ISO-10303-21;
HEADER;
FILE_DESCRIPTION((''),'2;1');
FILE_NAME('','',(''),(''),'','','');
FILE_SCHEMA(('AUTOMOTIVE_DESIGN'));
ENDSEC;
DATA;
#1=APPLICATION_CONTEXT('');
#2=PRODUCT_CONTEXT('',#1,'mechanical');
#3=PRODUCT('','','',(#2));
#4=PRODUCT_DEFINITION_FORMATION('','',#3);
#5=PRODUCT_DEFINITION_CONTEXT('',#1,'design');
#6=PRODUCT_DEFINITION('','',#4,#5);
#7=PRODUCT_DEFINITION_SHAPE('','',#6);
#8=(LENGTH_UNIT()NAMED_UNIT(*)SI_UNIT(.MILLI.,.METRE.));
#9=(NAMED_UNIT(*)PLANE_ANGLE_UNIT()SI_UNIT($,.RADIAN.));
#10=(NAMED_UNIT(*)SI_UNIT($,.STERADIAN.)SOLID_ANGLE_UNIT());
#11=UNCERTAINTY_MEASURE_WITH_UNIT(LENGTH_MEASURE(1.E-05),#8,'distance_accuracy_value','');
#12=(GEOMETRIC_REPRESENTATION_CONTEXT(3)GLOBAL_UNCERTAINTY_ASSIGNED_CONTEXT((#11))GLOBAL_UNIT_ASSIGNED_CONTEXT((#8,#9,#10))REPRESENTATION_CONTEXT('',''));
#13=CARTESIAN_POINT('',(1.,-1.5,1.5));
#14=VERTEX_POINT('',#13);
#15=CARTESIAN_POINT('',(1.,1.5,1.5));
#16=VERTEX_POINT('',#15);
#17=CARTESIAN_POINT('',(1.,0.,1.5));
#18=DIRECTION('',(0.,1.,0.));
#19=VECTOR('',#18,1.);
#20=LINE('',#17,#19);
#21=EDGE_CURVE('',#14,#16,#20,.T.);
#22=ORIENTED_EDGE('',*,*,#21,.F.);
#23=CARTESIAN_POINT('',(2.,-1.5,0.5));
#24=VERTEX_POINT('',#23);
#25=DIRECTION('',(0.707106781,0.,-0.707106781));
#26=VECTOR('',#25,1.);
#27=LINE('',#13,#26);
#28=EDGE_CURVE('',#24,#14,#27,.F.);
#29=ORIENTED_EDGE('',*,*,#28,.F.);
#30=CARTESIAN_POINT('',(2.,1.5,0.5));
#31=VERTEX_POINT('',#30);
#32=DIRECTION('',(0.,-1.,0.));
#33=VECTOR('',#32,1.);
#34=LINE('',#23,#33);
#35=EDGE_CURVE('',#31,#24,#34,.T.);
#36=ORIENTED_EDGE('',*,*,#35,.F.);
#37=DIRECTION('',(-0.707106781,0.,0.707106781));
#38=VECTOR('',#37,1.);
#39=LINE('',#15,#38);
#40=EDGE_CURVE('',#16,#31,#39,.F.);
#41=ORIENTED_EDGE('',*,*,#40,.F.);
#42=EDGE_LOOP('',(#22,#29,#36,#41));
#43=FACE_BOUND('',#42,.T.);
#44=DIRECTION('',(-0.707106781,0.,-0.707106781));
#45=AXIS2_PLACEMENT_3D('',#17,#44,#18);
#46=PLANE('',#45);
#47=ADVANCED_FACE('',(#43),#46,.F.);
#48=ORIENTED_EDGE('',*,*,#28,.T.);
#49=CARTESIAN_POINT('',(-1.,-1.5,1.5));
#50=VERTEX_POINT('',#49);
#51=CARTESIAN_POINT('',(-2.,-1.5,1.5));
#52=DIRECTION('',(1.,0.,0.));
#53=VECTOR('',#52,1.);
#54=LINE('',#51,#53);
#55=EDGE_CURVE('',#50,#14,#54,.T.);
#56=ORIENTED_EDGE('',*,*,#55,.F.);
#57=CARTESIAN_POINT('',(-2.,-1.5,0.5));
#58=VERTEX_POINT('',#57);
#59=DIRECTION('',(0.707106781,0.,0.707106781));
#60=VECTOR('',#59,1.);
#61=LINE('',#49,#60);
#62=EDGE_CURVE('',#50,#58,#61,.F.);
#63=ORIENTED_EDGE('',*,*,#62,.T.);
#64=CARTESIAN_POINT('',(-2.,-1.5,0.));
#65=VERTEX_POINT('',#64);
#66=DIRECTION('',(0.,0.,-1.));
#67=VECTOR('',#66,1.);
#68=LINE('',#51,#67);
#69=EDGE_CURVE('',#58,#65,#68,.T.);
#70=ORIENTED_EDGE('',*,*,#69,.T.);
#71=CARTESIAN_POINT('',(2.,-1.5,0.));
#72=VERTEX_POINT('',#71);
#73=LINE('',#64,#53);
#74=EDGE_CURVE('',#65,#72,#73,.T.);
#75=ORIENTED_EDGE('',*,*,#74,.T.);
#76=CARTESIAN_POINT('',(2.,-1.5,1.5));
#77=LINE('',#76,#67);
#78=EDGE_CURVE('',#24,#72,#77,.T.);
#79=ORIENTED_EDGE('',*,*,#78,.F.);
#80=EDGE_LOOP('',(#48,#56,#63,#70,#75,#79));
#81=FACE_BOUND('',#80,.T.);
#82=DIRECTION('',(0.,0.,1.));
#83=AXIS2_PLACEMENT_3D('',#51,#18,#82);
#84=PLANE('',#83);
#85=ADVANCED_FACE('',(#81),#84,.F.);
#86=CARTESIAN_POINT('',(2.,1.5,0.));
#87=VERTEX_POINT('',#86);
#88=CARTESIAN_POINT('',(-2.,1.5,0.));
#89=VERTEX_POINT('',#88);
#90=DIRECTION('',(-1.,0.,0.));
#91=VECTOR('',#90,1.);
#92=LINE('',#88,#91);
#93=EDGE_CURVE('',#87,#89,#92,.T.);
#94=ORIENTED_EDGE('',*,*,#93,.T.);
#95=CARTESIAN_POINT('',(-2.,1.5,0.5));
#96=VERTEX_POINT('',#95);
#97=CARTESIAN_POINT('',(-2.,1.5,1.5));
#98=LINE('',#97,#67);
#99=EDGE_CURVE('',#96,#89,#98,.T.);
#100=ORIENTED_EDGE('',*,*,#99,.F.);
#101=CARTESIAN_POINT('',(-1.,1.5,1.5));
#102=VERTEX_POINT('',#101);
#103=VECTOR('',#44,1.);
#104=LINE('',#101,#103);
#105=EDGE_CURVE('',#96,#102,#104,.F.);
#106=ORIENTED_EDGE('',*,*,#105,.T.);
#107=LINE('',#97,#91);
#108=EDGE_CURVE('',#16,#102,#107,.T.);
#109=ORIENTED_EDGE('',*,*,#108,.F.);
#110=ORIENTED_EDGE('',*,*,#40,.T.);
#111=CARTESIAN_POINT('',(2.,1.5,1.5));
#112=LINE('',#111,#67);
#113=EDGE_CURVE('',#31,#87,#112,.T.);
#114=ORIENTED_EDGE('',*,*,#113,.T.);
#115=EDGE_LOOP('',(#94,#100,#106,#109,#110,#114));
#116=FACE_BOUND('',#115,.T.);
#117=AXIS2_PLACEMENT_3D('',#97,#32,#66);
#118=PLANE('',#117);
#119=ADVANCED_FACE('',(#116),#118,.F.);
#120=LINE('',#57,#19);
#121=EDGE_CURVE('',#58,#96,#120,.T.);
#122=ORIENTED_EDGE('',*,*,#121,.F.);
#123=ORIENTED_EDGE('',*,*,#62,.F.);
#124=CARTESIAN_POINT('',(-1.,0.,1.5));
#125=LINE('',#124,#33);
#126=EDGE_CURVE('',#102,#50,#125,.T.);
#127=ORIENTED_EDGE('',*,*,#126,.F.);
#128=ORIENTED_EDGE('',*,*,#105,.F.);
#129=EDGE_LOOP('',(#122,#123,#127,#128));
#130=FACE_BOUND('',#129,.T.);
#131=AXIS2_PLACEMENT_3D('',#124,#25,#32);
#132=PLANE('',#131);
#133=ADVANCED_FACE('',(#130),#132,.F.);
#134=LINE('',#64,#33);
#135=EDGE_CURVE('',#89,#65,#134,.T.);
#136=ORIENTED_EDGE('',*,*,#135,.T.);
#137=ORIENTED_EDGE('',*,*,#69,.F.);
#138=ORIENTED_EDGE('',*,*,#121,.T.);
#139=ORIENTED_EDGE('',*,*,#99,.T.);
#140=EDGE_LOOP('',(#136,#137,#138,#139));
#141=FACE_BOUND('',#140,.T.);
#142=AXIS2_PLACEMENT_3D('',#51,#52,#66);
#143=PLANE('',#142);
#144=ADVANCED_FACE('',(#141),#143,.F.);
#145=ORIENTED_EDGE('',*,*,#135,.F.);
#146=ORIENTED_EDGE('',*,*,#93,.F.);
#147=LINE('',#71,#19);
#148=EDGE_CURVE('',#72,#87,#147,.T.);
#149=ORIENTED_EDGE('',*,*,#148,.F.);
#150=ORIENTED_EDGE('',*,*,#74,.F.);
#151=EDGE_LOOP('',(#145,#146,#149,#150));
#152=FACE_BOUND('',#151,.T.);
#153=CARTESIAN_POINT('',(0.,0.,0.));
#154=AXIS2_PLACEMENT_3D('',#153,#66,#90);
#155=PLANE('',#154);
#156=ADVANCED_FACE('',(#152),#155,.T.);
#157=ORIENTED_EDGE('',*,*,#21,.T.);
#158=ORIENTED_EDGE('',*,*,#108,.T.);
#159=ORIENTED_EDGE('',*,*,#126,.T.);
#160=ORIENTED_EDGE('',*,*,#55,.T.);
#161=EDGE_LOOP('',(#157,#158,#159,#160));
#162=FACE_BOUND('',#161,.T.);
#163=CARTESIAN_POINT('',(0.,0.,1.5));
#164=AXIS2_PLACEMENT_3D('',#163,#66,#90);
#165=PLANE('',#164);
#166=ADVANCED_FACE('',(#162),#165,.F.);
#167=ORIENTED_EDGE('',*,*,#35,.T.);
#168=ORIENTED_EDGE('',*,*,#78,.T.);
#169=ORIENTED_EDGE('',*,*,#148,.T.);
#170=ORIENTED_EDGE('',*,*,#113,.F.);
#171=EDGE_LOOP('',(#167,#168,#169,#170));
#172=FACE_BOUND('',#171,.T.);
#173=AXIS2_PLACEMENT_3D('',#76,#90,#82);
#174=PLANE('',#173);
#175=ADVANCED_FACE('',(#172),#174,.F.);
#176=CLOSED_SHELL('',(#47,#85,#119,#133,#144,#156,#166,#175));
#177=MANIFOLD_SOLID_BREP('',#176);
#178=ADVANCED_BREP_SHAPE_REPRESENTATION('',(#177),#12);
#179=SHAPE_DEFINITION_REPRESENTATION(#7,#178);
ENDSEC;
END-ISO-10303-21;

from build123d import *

# Parameters (mm, degrees)
SKETCH_1_W      = 4
SKETCH_1_H      = 3
EXTRUDE_1_DEPTH = 1.5
CHAMFER_1_SIZE  = 1


with BuildPart() as part:
    # Эскиз1 → Бобышка-Вытянуть1 (new body)
    with BuildSketch(Plane.XY):
        Rectangle(SKETCH_1_W, SKETCH_1_H)
    extrude(amount=EXTRUDE_1_DEPTH)

    # Фаска1
    chamfer_1_edges = [part.edges().sort_by_distance(p)[0] for p in [
        (-2, 0, 1.5),
        (2, 0, 1.5),
    ]]
    chamfer(chamfer_1_edges, length=CHAMFER_1_SIZE)


solid = part.part
